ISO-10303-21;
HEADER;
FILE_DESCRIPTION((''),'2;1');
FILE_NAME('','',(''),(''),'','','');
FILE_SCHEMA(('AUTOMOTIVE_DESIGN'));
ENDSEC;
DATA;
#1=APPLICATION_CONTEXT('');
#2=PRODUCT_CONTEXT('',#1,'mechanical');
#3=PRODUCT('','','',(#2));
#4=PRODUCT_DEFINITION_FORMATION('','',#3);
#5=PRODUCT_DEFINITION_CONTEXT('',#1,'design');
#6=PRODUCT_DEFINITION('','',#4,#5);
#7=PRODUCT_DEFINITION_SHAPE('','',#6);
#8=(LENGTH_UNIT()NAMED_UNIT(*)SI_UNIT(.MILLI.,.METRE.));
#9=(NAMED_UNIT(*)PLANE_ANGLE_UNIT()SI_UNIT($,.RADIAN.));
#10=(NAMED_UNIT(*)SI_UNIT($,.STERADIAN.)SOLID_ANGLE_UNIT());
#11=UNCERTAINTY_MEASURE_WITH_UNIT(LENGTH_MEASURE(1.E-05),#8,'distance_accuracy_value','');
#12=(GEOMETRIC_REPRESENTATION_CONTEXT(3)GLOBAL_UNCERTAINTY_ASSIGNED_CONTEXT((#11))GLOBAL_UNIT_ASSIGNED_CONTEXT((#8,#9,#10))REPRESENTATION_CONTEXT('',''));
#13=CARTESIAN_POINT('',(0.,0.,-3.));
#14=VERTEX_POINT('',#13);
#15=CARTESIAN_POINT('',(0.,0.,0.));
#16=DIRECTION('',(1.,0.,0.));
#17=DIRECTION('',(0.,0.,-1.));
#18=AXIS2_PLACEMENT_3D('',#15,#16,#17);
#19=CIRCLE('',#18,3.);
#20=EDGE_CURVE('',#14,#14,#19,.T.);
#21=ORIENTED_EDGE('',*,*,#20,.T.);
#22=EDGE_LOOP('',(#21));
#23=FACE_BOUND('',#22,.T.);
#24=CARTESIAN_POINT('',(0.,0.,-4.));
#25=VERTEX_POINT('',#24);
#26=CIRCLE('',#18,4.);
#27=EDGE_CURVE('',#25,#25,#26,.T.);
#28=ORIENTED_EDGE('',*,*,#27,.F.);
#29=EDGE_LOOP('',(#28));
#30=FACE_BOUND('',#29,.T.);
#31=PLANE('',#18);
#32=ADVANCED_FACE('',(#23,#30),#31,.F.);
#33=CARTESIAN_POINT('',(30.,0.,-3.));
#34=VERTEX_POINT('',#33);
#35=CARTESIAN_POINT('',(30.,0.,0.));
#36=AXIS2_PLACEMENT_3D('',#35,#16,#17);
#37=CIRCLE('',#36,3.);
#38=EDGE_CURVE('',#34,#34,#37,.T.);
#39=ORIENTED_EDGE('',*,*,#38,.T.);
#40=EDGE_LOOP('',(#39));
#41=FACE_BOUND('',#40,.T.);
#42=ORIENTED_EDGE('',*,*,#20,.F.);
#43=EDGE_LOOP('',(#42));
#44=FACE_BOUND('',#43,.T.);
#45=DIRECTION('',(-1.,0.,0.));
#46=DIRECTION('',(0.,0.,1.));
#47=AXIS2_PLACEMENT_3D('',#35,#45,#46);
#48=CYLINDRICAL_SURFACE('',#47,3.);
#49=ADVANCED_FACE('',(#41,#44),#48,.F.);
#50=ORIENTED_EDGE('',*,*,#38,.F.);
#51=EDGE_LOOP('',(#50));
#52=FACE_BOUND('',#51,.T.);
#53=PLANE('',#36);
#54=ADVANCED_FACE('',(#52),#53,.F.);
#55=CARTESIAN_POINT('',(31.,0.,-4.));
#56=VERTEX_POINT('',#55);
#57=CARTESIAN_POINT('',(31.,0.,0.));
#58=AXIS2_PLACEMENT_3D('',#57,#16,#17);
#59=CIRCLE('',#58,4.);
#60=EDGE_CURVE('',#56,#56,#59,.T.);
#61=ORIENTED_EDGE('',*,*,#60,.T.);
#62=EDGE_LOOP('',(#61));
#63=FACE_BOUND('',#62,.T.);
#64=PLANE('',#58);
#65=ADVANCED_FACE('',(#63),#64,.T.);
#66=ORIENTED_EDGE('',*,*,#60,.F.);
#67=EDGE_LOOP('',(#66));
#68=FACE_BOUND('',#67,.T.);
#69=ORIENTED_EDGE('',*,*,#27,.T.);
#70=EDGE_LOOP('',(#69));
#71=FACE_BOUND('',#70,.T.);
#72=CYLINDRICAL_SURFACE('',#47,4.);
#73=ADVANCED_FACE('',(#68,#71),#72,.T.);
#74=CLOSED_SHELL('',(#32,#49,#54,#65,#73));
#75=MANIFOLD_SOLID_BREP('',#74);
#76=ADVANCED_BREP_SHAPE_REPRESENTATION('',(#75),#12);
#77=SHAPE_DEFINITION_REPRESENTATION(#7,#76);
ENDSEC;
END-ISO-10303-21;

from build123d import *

# Parameters (mm, degrees)
SKETCH1_R           = 4
SKETCH1_R_2         = 3
BOSS_EXTRUDE1_DEPTH = 30
SKETCH3_R           = 4
BOSS_EXTRUDE2_DEPTH = 1


with BuildPart() as part:
    # Sketch1 → Boss-Extrude1 (new body)
    with BuildSketch(Plane.YZ):
        with Locations(Location((0, 0, 0), (0, 0, 270))):
            Circle(SKETCH1_R)
        with Locations(Location((0, 0, 0), (0, 0, 270))):
            Circle(SKETCH1_R_2, mode=Mode.SUBTRACT)
    extrude(amount=BOSS_EXTRUDE1_DEPTH)

    # Sketch3 → Boss-Extrude2 (add)
    with BuildSketch(Plane.YZ.offset(30)):
        with Locations(Location((0, 0, 0), (0, 0, 270))):
            Circle(SKETCH3_R)
    extrude(amount=BOSS_EXTRUDE2_DEPTH)


solid = part.part
